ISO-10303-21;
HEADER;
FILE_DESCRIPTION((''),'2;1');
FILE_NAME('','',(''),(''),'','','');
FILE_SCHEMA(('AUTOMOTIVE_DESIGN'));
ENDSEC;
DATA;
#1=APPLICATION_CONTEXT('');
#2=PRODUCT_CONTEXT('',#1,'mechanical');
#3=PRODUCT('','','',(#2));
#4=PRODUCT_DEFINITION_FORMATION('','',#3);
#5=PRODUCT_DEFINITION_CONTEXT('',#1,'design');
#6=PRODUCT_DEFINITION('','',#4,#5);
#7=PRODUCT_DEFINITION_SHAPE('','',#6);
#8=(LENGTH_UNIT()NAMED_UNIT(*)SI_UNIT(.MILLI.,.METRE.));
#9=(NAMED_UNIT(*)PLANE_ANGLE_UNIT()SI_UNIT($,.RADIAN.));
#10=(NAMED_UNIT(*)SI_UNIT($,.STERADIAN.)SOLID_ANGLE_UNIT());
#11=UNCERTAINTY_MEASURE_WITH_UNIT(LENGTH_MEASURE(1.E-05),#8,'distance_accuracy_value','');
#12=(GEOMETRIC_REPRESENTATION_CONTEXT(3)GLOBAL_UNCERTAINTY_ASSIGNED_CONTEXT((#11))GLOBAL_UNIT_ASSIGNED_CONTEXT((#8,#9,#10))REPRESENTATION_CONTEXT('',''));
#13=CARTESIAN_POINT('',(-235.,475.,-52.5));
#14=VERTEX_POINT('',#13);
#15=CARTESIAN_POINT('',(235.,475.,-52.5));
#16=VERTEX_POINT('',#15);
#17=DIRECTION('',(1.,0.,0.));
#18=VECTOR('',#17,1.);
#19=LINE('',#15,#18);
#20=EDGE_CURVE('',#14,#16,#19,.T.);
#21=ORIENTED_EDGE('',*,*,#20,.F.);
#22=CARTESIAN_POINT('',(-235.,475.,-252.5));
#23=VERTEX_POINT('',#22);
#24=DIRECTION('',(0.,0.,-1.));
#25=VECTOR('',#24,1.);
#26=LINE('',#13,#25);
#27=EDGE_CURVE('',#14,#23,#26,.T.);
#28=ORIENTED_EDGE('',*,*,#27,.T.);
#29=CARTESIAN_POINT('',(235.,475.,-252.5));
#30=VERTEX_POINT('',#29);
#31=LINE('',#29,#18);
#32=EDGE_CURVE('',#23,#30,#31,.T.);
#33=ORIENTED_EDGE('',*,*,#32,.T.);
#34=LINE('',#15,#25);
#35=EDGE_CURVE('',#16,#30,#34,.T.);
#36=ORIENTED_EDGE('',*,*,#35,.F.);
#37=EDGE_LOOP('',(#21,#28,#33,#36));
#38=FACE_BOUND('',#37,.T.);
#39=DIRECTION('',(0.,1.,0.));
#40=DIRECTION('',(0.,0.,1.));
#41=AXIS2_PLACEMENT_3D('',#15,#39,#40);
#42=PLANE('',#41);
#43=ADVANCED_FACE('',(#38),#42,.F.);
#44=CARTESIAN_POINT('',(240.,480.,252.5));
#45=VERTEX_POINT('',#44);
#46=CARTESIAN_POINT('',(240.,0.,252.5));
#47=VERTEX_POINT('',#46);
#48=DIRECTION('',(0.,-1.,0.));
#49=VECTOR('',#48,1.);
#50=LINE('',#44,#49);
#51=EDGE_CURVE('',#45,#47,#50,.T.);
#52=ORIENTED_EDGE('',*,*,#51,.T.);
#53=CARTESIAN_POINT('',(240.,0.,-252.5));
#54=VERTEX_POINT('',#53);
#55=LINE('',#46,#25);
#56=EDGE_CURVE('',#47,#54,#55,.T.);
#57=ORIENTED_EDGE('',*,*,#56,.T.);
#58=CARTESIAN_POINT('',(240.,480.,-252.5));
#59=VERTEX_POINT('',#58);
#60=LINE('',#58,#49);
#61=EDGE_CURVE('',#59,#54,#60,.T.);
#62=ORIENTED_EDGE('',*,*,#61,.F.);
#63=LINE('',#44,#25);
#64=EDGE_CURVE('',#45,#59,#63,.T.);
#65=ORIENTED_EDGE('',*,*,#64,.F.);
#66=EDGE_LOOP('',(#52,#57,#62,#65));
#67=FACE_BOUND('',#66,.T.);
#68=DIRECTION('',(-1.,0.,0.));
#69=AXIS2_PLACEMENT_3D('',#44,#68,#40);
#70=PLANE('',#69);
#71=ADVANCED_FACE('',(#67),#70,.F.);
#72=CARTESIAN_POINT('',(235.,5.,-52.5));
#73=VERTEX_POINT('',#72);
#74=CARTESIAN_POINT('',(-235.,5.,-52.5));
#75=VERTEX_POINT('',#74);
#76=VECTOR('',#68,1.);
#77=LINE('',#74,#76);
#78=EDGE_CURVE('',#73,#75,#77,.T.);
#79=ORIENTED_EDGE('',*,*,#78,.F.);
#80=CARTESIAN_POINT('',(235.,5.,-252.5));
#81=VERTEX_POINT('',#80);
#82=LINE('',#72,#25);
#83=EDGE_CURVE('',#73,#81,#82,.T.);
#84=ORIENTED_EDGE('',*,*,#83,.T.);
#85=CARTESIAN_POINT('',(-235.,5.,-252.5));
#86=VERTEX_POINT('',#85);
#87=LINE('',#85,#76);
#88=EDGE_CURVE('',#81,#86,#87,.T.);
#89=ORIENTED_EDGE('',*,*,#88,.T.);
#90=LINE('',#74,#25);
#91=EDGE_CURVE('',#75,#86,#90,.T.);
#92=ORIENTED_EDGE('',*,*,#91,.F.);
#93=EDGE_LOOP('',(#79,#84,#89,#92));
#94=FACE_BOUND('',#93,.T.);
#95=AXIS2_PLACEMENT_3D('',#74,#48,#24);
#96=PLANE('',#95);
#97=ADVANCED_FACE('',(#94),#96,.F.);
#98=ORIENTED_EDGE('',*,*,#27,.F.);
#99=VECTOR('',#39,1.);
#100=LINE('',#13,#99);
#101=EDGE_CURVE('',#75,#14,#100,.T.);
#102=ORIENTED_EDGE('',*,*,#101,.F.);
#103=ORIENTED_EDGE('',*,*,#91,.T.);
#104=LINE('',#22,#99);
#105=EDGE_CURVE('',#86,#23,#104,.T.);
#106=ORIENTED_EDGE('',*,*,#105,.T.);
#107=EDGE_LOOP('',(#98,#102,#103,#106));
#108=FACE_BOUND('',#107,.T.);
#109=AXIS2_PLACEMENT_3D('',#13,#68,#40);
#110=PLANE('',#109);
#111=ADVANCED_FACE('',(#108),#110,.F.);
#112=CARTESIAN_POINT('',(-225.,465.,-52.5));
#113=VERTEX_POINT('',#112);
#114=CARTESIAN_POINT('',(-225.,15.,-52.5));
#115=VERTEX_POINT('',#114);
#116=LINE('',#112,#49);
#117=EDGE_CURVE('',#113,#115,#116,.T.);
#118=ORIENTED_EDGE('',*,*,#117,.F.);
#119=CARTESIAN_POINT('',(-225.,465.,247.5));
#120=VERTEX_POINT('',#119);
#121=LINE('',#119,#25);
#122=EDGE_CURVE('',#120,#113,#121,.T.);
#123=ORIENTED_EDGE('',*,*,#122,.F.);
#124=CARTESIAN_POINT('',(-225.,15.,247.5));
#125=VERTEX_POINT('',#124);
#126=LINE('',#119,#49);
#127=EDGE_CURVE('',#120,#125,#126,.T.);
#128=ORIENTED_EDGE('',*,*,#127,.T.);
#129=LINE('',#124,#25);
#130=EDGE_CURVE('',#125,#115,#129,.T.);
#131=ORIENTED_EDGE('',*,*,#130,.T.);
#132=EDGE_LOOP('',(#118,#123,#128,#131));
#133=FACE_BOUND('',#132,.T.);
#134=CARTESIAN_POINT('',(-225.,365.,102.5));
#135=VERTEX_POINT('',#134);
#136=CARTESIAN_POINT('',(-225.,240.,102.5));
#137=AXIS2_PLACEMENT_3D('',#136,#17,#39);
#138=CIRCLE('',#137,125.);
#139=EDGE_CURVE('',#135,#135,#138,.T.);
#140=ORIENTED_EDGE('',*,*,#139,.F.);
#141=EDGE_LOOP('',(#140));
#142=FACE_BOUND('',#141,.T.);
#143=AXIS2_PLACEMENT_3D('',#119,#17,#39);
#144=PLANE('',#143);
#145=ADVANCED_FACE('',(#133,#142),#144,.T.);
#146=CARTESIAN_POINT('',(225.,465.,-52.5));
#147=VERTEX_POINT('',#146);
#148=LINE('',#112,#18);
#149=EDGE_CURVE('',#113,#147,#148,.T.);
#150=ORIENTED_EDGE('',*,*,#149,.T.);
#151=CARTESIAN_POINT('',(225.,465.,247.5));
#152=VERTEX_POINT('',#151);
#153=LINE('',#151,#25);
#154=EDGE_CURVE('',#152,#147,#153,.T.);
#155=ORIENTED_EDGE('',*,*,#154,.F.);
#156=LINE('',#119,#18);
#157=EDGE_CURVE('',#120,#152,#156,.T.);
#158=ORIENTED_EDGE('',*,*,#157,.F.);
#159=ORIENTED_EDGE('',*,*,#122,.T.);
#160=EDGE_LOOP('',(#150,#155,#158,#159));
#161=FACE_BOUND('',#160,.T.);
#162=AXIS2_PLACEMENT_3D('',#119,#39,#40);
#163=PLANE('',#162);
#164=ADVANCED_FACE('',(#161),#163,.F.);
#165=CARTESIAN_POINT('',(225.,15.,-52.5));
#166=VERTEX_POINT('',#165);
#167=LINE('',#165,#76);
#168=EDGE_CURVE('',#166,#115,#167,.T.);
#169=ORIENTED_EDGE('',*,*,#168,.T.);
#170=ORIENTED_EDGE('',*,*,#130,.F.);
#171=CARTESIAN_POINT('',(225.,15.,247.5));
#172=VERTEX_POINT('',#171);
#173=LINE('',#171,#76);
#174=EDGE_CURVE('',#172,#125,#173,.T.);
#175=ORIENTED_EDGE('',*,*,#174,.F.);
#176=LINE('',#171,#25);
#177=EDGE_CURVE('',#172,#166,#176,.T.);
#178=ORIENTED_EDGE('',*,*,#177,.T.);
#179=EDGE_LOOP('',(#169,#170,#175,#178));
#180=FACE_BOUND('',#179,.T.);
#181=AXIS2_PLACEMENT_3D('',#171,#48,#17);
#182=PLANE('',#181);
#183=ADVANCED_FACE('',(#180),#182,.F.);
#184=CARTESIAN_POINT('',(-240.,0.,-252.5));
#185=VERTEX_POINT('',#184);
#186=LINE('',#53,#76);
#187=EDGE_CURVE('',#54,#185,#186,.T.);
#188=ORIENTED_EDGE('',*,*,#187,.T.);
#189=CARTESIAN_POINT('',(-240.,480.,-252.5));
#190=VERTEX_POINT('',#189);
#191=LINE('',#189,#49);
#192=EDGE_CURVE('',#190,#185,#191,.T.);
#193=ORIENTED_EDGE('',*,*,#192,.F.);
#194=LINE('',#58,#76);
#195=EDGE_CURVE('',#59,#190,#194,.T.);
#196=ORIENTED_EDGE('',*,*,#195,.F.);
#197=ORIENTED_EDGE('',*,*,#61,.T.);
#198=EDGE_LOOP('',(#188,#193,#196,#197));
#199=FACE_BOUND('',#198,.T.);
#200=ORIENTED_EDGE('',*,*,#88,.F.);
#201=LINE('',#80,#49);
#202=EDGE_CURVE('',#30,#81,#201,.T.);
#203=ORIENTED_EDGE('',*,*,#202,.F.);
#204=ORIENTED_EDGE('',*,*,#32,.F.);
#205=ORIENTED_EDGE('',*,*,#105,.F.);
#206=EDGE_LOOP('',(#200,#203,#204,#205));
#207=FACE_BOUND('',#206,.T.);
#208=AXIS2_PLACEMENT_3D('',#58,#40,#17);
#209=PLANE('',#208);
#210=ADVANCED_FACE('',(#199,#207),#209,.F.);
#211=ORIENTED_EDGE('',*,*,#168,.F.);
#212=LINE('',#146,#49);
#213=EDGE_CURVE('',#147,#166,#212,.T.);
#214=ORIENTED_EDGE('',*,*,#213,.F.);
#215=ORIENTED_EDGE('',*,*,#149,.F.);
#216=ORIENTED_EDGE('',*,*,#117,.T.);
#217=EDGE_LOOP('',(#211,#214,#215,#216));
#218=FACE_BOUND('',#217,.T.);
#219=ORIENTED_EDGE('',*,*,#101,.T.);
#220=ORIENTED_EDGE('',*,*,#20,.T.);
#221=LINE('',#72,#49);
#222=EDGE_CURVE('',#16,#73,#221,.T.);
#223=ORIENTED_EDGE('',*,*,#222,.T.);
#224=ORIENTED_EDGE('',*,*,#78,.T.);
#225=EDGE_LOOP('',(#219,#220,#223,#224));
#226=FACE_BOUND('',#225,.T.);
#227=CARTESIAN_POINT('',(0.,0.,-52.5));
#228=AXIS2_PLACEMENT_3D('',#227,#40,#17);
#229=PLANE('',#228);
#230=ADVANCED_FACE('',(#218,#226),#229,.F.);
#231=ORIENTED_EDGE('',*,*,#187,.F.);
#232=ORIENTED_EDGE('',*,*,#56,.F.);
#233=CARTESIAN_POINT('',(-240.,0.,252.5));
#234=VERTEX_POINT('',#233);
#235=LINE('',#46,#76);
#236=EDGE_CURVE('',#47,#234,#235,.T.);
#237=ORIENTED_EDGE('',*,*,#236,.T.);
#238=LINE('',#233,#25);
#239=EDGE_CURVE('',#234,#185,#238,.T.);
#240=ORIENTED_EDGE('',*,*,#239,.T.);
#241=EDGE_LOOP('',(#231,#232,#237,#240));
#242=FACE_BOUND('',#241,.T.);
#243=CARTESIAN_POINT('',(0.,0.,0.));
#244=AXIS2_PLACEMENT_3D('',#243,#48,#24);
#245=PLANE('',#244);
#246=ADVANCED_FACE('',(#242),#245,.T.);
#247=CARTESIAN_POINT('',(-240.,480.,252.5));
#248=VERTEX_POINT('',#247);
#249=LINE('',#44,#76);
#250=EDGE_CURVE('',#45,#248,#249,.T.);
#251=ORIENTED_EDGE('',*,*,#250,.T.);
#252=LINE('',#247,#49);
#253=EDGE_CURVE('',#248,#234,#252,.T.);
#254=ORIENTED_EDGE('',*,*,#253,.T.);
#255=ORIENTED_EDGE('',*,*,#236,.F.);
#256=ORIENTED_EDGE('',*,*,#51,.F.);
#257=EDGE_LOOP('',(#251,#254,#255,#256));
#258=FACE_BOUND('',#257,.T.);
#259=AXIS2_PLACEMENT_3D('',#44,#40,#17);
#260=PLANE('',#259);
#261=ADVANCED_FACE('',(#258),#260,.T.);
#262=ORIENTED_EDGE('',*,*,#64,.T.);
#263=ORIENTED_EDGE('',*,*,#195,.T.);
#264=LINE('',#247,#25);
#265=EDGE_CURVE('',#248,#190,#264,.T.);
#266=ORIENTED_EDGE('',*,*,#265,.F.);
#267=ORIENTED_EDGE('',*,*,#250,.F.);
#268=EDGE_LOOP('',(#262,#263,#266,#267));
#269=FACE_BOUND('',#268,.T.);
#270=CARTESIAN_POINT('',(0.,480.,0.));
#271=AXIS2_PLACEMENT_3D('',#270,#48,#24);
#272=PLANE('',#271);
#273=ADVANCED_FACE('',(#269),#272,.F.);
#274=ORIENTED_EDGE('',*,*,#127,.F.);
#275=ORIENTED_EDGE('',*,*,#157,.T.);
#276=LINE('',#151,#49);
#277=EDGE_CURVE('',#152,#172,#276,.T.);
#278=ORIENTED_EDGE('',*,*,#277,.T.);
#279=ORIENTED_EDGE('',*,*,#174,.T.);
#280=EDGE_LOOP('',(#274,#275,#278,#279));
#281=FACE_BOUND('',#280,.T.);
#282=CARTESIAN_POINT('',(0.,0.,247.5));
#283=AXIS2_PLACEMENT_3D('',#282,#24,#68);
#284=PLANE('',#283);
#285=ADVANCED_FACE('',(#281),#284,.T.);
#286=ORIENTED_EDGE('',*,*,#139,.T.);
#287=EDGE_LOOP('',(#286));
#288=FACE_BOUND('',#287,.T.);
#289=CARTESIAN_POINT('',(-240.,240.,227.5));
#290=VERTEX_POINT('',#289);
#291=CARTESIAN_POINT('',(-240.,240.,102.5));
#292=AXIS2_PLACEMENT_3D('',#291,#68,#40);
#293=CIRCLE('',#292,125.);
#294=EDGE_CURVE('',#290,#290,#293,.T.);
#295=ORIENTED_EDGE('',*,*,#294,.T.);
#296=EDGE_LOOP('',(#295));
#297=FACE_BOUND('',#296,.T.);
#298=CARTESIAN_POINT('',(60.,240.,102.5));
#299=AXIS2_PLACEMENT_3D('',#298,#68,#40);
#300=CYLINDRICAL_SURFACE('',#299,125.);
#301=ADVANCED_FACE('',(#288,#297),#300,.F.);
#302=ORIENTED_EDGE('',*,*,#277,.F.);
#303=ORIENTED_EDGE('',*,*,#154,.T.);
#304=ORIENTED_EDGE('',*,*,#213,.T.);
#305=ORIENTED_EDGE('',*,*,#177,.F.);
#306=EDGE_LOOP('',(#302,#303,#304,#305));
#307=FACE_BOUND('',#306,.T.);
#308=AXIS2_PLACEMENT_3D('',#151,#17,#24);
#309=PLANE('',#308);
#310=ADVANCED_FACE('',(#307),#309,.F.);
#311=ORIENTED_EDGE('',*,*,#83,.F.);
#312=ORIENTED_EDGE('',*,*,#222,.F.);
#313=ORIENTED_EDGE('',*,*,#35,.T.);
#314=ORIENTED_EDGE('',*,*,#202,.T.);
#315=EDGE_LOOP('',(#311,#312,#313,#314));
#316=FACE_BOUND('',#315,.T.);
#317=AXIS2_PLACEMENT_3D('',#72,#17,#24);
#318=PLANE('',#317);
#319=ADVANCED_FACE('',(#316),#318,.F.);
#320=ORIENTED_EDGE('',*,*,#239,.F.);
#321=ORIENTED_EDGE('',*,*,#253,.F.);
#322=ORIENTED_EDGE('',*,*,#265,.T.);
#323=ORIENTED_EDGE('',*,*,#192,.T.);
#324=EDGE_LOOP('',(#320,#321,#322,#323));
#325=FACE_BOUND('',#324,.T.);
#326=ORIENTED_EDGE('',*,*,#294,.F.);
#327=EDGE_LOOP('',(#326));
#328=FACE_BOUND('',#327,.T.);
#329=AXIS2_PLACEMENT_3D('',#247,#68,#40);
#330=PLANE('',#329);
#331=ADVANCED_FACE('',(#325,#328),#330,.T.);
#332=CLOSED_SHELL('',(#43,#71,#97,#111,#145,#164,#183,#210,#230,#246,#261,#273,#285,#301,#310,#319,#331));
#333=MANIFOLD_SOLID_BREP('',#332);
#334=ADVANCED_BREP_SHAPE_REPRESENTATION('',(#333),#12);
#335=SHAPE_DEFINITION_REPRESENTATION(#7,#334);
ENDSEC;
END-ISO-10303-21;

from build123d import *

# Parameters (mm, degrees)
CROQUIS2_W              = 480
CROQUIS2_H              = 505
SALIENTE_EXTRUIR1_DEPTH = 480
CROQUIS3_W              = 470
CROQUIS3_H              = 470
CORTAR_EXTRUIR1_DEPTH   = 200
CROQUIS5_W              = 450
CROQUIS5_H              = 450
CORTAR_EXTRUIR2_DEPTH   = 300
CROQUIS7_R              = 125
CORTAR_EXTRUIR3_DEPTH   = 300


with BuildPart() as part:
    # Croquis2 → Saliente-Extruir1 (new body)
    with BuildSketch(Plane(origin=(0, 0, 0), x_dir=(1, 0, 0), z_dir=(0, 1, 0))):
        Rectangle(CROQUIS2_W, CROQUIS2_H)
    extrude(amount=SALIENTE_EXTRUIR1_DEPTH)

    # Croquis3 → Cortar-Extruir1 (cut)
    with BuildSketch(Plane(origin=(0, 0, -252.5), x_dir=(-1, 0, 0), z_dir=(0, 0, -1))):
        with Locations((0, 240)):
            Rectangle(CROQUIS3_W, CROQUIS3_H)
    extrude(amount=-CORTAR_EXTRUIR1_DEPTH, mode=Mode.SUBTRACT)

    # Croquis5 → Cortar-Extruir2 (cut)
    with BuildSketch(Plane(origin=(0, 0, -52.5), x_dir=(-1, 0, 0), z_dir=(0, 0, -1))):
        with Locations((0, 240)):
            Rectangle(CROQUIS5_W, CROQUIS5_H)
    extrude(amount=-CORTAR_EXTRUIR2_DEPTH, mode=Mode.SUBTRACT)

    # Croquis7 → Cortar-Extruir3 (cut)
    with BuildSketch(Plane.ZY.offset(240)):
        with Locations((102.5, 240)):
            Circle(CROQUIS7_R)
    extrude(amount=-CORTAR_EXTRUIR3_DEPTH, mode=Mode.SUBTRACT)


solid = part.part
